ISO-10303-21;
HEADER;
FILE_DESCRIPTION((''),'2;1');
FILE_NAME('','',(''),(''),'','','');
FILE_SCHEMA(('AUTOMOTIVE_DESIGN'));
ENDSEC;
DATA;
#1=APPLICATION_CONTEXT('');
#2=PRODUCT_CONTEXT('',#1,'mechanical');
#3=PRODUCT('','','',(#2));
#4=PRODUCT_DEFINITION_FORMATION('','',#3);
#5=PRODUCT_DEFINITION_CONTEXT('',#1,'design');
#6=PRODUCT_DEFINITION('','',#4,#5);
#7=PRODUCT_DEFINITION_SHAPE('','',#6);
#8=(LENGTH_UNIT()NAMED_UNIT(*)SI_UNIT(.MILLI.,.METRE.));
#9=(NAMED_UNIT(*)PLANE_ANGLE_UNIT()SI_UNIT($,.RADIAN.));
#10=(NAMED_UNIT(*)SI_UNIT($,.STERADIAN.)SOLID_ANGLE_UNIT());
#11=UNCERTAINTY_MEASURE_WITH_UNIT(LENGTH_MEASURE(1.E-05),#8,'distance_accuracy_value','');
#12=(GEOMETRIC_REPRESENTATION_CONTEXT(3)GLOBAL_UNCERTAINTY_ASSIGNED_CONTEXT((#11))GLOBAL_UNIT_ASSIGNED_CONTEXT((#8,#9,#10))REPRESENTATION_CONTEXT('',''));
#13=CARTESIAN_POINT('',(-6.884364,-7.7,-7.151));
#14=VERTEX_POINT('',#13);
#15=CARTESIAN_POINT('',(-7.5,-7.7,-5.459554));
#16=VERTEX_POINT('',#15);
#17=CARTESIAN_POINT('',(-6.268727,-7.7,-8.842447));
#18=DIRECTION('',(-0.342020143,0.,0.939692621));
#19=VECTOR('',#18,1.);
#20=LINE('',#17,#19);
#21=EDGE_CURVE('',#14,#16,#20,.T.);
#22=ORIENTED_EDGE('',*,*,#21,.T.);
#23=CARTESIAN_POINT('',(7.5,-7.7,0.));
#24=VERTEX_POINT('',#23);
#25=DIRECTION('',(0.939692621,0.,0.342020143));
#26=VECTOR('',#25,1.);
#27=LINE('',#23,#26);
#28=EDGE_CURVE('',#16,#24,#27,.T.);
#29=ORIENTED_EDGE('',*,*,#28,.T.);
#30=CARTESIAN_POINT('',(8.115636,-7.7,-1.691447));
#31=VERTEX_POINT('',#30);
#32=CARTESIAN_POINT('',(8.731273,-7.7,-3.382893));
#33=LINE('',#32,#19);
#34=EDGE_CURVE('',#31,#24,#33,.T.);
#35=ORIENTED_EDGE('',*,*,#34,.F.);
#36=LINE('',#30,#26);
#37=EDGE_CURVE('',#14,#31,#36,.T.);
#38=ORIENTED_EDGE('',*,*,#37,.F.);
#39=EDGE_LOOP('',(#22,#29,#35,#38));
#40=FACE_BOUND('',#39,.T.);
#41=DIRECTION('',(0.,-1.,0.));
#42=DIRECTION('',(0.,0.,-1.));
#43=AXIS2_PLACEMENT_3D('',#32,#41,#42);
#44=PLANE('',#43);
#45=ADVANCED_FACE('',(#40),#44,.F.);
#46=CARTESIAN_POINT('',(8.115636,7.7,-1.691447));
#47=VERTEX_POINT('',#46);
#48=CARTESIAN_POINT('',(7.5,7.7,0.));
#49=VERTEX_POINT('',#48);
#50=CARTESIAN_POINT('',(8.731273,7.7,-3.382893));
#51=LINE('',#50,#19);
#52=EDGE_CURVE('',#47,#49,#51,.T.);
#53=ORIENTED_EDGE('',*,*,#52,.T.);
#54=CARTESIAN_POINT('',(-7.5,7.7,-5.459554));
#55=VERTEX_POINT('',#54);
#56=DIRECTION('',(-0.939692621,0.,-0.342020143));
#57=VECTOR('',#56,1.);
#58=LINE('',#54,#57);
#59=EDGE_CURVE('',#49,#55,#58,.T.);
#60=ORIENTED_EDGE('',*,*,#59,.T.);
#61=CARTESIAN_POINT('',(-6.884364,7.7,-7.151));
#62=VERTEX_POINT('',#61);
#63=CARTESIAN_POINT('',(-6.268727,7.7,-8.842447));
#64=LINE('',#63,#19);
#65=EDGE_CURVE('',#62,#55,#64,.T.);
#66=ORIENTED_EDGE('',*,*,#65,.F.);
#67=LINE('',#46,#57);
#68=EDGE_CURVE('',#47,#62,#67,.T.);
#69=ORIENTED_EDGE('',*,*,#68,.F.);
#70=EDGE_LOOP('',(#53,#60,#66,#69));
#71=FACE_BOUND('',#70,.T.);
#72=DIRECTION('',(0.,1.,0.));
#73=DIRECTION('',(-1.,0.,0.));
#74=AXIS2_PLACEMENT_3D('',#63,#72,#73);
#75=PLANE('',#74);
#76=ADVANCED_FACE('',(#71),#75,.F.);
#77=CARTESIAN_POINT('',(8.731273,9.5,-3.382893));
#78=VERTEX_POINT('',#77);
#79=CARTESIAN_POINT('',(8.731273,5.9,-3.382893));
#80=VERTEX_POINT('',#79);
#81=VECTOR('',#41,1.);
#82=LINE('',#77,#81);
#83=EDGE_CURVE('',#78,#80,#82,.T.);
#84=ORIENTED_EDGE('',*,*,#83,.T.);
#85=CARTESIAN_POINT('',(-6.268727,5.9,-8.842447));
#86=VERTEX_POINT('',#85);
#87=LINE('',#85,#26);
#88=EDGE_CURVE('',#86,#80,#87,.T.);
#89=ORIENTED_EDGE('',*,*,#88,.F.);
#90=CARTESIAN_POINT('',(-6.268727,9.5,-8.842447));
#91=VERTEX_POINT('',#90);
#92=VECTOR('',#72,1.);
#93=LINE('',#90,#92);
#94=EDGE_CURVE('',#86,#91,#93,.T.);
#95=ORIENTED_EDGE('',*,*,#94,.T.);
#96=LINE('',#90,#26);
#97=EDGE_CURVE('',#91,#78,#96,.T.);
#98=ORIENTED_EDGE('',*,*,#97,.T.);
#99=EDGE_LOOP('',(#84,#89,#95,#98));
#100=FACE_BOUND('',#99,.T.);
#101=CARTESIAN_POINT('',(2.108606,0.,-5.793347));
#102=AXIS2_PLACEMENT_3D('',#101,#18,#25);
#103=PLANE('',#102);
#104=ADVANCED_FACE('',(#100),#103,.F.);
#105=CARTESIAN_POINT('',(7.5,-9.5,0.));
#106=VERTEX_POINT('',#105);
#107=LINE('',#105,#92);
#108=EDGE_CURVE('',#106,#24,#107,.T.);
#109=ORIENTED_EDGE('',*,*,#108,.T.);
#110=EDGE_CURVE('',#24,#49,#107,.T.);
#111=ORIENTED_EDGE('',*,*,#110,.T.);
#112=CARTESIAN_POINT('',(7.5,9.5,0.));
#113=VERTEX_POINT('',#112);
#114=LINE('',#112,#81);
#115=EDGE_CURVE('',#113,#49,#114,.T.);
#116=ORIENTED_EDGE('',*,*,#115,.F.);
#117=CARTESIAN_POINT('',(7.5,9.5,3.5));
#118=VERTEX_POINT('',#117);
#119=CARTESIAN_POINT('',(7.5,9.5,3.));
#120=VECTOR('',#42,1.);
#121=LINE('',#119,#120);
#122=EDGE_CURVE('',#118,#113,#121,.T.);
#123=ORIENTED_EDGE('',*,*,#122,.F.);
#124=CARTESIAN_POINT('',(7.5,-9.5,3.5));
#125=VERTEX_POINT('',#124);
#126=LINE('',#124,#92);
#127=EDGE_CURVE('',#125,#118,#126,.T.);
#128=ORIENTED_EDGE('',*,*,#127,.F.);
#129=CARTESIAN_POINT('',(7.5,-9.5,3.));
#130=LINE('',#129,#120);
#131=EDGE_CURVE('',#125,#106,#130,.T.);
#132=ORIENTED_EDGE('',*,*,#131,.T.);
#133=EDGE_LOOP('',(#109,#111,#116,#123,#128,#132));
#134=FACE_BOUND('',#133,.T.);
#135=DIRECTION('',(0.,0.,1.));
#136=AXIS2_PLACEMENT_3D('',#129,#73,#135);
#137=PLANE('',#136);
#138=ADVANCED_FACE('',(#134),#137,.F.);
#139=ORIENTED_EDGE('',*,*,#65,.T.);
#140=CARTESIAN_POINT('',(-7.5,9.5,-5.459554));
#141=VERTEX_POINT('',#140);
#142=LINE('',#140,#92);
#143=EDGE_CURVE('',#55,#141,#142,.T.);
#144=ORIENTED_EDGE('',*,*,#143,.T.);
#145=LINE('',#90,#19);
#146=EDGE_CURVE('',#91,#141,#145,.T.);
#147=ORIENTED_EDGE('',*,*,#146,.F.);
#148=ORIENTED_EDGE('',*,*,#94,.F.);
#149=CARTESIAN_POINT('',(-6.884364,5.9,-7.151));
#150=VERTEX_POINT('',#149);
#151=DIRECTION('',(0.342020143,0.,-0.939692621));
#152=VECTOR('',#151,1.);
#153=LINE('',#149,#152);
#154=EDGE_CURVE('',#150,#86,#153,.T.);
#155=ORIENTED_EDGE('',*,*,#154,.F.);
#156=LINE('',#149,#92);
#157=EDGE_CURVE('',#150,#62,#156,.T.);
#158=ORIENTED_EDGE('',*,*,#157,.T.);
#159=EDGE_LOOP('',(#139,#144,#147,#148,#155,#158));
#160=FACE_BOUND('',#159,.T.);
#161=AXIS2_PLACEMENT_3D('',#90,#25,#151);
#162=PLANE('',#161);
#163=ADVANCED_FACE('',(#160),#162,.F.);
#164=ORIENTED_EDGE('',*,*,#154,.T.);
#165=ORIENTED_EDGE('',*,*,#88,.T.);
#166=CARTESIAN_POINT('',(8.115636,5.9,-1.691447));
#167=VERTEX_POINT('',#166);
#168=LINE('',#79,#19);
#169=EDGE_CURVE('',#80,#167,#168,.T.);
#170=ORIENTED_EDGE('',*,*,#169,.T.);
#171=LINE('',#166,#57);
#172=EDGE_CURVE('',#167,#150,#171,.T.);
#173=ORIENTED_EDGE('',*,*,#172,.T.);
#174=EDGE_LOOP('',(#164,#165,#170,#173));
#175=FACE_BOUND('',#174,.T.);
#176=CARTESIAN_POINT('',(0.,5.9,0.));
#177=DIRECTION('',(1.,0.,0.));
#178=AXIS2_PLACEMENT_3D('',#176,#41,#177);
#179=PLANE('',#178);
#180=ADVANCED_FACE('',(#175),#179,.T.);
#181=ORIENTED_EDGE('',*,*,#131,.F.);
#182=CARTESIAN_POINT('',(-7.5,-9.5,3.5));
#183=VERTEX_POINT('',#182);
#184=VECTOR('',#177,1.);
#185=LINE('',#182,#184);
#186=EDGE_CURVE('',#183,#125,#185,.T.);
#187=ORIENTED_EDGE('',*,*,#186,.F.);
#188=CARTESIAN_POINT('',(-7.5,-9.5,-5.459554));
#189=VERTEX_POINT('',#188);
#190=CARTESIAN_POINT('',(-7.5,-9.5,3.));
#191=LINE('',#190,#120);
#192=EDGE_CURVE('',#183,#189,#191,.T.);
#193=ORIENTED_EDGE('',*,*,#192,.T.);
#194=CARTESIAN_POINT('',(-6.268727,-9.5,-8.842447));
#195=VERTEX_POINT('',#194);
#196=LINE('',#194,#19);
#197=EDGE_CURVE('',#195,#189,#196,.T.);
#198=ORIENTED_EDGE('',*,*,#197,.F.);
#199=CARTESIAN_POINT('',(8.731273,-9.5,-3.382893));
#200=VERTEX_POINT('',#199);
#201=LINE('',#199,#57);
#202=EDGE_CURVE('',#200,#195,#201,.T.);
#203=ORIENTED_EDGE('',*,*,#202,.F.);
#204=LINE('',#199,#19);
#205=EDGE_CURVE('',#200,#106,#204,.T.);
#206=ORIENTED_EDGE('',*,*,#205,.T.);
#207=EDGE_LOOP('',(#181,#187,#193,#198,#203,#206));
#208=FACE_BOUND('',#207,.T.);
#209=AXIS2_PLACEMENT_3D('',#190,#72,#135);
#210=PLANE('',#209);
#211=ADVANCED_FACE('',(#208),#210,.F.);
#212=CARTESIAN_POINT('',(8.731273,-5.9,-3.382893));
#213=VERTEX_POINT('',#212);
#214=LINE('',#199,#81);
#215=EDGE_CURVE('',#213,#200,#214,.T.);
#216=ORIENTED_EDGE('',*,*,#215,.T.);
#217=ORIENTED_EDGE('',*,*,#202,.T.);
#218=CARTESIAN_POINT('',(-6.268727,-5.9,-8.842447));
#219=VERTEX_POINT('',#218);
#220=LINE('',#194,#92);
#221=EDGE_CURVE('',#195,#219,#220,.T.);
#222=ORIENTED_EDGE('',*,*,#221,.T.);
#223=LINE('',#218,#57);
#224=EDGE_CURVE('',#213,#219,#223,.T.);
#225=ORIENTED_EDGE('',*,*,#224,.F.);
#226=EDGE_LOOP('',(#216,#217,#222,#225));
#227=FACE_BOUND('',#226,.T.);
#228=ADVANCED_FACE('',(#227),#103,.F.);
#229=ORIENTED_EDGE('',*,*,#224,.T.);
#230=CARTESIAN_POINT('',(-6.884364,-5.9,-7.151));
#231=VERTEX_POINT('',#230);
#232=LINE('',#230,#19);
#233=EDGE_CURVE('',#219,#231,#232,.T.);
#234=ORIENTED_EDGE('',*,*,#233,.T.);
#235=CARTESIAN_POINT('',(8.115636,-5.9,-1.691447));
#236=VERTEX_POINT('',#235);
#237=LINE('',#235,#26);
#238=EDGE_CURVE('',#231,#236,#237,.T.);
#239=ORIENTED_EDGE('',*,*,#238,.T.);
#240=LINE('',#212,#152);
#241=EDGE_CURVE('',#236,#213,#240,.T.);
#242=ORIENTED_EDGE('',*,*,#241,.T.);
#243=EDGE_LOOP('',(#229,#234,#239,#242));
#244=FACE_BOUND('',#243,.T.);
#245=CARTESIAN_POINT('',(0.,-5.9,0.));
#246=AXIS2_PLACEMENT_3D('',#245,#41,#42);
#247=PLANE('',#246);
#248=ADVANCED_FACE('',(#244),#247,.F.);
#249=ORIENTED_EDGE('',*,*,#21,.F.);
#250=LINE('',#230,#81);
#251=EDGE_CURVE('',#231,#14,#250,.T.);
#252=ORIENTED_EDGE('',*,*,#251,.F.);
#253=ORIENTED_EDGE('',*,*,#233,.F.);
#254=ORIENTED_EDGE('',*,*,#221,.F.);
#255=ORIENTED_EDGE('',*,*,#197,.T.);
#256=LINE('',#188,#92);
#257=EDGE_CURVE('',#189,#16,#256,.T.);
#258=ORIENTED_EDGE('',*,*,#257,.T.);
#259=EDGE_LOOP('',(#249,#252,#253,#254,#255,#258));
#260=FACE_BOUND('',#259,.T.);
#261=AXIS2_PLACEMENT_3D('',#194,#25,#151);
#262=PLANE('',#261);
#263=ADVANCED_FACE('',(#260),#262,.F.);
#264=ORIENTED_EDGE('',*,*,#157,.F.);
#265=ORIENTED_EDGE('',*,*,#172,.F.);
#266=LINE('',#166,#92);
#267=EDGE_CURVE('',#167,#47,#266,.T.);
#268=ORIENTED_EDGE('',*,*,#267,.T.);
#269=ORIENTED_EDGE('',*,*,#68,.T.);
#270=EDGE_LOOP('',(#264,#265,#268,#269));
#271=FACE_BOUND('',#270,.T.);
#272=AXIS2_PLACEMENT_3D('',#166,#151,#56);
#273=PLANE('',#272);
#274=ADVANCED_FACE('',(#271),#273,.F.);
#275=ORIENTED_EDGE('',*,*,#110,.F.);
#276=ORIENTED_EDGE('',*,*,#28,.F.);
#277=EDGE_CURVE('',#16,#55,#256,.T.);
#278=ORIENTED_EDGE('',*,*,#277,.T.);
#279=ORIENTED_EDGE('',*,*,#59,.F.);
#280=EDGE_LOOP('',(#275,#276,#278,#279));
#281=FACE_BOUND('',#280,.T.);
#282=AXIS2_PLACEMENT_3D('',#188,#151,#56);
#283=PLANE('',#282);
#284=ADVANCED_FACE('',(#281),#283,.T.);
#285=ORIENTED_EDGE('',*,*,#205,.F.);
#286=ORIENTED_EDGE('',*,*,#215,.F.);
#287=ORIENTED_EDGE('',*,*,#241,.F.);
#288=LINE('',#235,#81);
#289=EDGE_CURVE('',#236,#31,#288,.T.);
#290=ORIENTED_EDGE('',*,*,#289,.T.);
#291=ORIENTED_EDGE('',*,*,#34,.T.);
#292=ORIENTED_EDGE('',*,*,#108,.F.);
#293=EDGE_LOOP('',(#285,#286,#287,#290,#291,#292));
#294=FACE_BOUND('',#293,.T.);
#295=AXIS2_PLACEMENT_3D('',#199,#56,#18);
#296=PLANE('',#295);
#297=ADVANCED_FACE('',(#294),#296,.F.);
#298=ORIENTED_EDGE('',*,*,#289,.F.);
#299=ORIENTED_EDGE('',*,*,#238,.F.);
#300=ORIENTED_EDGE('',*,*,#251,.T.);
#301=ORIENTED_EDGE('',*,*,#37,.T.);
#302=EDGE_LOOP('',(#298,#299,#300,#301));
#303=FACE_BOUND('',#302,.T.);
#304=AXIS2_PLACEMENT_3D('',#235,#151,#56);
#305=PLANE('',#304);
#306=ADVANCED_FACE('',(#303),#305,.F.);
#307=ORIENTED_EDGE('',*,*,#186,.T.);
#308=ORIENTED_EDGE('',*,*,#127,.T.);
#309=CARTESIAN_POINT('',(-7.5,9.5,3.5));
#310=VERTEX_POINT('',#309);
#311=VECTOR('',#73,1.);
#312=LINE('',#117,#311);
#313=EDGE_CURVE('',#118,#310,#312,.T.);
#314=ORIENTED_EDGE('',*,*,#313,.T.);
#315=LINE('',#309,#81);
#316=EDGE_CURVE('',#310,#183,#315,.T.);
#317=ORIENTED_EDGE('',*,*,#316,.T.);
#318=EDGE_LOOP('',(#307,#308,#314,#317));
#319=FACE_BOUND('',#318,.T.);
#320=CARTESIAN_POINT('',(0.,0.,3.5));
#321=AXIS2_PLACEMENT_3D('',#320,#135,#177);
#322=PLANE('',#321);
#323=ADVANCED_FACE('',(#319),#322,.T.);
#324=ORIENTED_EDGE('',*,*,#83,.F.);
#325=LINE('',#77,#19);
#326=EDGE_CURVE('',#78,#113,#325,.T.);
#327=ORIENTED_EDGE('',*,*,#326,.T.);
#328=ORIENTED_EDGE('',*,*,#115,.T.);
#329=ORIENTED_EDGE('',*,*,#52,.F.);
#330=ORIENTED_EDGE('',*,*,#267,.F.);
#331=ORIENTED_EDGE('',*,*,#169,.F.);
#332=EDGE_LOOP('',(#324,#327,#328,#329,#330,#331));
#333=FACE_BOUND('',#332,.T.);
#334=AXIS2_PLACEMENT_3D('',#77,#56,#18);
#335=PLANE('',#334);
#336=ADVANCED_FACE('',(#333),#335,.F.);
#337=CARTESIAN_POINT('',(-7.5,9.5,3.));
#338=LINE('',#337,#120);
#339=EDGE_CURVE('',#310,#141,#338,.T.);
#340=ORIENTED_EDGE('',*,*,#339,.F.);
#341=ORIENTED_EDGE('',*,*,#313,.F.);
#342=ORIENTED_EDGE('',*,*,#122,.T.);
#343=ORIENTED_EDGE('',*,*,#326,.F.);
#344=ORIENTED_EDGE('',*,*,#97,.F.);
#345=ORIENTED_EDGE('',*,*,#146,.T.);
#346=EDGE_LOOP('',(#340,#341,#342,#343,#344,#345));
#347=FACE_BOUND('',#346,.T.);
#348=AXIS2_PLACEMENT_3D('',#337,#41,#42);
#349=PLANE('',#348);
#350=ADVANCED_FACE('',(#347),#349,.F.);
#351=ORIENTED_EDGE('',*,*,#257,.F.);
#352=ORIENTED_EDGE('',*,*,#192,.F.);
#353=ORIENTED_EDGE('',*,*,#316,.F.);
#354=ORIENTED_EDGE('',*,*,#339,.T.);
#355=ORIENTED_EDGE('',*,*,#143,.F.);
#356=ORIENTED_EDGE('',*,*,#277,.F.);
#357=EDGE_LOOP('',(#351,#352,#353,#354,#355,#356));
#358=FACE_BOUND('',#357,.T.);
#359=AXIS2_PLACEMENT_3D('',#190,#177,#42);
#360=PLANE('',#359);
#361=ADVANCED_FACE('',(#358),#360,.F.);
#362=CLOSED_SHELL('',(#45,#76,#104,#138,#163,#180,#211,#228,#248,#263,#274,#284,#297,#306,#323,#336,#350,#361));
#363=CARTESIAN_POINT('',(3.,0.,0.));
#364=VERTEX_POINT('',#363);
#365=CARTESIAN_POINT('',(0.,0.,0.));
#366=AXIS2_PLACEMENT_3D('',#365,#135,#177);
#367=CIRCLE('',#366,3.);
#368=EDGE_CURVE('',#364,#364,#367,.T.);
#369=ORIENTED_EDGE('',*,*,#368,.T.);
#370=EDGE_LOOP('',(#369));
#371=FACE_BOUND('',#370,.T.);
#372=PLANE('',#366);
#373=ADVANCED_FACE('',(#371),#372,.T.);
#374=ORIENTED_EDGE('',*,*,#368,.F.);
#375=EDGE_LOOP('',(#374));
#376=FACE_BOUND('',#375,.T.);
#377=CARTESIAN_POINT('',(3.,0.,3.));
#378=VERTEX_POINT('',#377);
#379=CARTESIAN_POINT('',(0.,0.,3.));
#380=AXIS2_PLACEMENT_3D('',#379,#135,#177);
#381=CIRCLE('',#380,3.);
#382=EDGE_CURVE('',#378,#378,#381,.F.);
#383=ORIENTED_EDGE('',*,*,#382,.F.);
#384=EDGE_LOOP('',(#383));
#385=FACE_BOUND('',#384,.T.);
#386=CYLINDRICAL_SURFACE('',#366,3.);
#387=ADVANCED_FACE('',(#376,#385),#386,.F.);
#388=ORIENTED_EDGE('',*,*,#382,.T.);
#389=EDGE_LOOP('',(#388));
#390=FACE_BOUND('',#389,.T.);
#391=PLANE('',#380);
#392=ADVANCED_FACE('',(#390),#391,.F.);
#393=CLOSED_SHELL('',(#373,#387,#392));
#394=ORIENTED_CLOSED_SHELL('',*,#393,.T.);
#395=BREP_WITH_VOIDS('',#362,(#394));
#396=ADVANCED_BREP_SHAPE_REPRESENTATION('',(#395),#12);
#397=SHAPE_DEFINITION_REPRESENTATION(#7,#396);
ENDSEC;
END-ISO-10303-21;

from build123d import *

# Parameters (mm, degrees)
SKIZZE1_W                       = 15
SKIZZE1_H                       = 19
AUFSATZ_LINEAR_AUSTRAGEN1_DEPTH = 3
AUFSATZ_LINEAR_AUSTRAGEN2_DEPTH = 19
SKIZZE5_R                       = 3
SCHNITT_LINEAR_AUSTRAGEN1_DEPTH = 3
SKIZZE6_W                       = 15
SKIZZE6_H                       = 19
AUFSATZ_LINEAR_AUSTRAGEN3_DEPTH = 0.5
SKIZZE7_W                       = 15.962666587
SKIZZE7_H                       = 1.8
AUFSATZ_LINEAR_AUSTRAGEN4_DEPTH = 3.6
AUFSATZ_LINEAR_AUSTRAGEN5_DEPTH = 1.8
AUFSATZ_LINEAR_AUSTRAGEN6_DEPTH = 1.8


with BuildPart() as part:
    # Skizze1 → Aufsatz-Linear austragen1 (new body)
    with BuildSketch(Plane.XY):
        Rectangle(SKIZZE1_W, SKIZZE1_H)
    extrude(amount=AUFSATZ_LINEAR_AUSTRAGEN1_DEPTH)

    # Skizze3 → Aufsatz-Linear austragen2 (add)
    with BuildSketch(Plane(origin=(0, 9.5, 0), x_dir=(1, 0, 0), z_dir=(0, 1, 0))):
        Polygon((-7.5, 0), (-7.5, 5.459553514), (7.5, 0), align=None)
    extrude(amount=-AUFSATZ_LINEAR_AUSTRAGEN2_DEPTH)

    # Skizze5 → Schnitt-Linear austragen1 (cut)
    with BuildSketch(Plane.XY.offset(3)):
        Circle(SKIZZE5_R)
    extrude(amount=-SCHNITT_LINEAR_AUSTRAGEN1_DEPTH, mode=Mode.SUBTRACT)

    # Skizze6 → Aufsatz-Linear austragen3 (add)
    with BuildSketch(Plane.XY.offset(3)):
        Rectangle(SKIZZE6_W, SKIZZE6_H)
    extrude(amount=AUFSATZ_LINEAR_AUSTRAGEN3_DEPTH)

    # Skizze7 → Aufsatz-Linear austragen4 (add)
    with BuildSketch(Plane(origin=(0.877333338, 0, -2.410453536), x_dir=(-0.939692621, 0, -0.342020143), z_dir=(0.342020143, 0, -0.939692621))):
        with Locations((0.933638638, 8.6)):
            Rectangle(SKIZZE7_W, SKIZZE7_H)
        with Locations((0.933638638, -8.6)):
            Rectangle(SKIZZE7_W, SKIZZE7_H)
    extrude(amount=AUFSATZ_LINEAR_AUSTRAGEN4_DEPTH)

    # Skizze10 → Aufsatz-Linear austragen5 (add)
    with BuildSketch(Plane.XZ.offset(-7.7)):
        Polygon((8.731272516, -3.382893435), (8.115636258, -1.691446717), (-6.884363742, -7.151000231), (-6.268727484, -8.842446949), align=None)
    extrude(amount=AUFSATZ_LINEAR_AUSTRAGEN5_DEPTH)

    # Skizze9 → Aufsatz-Linear austragen6 (add)
    with BuildSketch(Plane(origin=(0, -7.7, 0), x_dir=(1, 0, 0), z_dir=(0, 1, 0))):
        Polygon((8.115636258, 1.691446717), (-6.884363742, 7.151000231), (-6.268727484, 8.842446949), (8.731272516, 3.382893435), align=None)
    extrude(amount=AUFSATZ_LINEAR_AUSTRAGEN6_DEPTH)


solid = part.part
